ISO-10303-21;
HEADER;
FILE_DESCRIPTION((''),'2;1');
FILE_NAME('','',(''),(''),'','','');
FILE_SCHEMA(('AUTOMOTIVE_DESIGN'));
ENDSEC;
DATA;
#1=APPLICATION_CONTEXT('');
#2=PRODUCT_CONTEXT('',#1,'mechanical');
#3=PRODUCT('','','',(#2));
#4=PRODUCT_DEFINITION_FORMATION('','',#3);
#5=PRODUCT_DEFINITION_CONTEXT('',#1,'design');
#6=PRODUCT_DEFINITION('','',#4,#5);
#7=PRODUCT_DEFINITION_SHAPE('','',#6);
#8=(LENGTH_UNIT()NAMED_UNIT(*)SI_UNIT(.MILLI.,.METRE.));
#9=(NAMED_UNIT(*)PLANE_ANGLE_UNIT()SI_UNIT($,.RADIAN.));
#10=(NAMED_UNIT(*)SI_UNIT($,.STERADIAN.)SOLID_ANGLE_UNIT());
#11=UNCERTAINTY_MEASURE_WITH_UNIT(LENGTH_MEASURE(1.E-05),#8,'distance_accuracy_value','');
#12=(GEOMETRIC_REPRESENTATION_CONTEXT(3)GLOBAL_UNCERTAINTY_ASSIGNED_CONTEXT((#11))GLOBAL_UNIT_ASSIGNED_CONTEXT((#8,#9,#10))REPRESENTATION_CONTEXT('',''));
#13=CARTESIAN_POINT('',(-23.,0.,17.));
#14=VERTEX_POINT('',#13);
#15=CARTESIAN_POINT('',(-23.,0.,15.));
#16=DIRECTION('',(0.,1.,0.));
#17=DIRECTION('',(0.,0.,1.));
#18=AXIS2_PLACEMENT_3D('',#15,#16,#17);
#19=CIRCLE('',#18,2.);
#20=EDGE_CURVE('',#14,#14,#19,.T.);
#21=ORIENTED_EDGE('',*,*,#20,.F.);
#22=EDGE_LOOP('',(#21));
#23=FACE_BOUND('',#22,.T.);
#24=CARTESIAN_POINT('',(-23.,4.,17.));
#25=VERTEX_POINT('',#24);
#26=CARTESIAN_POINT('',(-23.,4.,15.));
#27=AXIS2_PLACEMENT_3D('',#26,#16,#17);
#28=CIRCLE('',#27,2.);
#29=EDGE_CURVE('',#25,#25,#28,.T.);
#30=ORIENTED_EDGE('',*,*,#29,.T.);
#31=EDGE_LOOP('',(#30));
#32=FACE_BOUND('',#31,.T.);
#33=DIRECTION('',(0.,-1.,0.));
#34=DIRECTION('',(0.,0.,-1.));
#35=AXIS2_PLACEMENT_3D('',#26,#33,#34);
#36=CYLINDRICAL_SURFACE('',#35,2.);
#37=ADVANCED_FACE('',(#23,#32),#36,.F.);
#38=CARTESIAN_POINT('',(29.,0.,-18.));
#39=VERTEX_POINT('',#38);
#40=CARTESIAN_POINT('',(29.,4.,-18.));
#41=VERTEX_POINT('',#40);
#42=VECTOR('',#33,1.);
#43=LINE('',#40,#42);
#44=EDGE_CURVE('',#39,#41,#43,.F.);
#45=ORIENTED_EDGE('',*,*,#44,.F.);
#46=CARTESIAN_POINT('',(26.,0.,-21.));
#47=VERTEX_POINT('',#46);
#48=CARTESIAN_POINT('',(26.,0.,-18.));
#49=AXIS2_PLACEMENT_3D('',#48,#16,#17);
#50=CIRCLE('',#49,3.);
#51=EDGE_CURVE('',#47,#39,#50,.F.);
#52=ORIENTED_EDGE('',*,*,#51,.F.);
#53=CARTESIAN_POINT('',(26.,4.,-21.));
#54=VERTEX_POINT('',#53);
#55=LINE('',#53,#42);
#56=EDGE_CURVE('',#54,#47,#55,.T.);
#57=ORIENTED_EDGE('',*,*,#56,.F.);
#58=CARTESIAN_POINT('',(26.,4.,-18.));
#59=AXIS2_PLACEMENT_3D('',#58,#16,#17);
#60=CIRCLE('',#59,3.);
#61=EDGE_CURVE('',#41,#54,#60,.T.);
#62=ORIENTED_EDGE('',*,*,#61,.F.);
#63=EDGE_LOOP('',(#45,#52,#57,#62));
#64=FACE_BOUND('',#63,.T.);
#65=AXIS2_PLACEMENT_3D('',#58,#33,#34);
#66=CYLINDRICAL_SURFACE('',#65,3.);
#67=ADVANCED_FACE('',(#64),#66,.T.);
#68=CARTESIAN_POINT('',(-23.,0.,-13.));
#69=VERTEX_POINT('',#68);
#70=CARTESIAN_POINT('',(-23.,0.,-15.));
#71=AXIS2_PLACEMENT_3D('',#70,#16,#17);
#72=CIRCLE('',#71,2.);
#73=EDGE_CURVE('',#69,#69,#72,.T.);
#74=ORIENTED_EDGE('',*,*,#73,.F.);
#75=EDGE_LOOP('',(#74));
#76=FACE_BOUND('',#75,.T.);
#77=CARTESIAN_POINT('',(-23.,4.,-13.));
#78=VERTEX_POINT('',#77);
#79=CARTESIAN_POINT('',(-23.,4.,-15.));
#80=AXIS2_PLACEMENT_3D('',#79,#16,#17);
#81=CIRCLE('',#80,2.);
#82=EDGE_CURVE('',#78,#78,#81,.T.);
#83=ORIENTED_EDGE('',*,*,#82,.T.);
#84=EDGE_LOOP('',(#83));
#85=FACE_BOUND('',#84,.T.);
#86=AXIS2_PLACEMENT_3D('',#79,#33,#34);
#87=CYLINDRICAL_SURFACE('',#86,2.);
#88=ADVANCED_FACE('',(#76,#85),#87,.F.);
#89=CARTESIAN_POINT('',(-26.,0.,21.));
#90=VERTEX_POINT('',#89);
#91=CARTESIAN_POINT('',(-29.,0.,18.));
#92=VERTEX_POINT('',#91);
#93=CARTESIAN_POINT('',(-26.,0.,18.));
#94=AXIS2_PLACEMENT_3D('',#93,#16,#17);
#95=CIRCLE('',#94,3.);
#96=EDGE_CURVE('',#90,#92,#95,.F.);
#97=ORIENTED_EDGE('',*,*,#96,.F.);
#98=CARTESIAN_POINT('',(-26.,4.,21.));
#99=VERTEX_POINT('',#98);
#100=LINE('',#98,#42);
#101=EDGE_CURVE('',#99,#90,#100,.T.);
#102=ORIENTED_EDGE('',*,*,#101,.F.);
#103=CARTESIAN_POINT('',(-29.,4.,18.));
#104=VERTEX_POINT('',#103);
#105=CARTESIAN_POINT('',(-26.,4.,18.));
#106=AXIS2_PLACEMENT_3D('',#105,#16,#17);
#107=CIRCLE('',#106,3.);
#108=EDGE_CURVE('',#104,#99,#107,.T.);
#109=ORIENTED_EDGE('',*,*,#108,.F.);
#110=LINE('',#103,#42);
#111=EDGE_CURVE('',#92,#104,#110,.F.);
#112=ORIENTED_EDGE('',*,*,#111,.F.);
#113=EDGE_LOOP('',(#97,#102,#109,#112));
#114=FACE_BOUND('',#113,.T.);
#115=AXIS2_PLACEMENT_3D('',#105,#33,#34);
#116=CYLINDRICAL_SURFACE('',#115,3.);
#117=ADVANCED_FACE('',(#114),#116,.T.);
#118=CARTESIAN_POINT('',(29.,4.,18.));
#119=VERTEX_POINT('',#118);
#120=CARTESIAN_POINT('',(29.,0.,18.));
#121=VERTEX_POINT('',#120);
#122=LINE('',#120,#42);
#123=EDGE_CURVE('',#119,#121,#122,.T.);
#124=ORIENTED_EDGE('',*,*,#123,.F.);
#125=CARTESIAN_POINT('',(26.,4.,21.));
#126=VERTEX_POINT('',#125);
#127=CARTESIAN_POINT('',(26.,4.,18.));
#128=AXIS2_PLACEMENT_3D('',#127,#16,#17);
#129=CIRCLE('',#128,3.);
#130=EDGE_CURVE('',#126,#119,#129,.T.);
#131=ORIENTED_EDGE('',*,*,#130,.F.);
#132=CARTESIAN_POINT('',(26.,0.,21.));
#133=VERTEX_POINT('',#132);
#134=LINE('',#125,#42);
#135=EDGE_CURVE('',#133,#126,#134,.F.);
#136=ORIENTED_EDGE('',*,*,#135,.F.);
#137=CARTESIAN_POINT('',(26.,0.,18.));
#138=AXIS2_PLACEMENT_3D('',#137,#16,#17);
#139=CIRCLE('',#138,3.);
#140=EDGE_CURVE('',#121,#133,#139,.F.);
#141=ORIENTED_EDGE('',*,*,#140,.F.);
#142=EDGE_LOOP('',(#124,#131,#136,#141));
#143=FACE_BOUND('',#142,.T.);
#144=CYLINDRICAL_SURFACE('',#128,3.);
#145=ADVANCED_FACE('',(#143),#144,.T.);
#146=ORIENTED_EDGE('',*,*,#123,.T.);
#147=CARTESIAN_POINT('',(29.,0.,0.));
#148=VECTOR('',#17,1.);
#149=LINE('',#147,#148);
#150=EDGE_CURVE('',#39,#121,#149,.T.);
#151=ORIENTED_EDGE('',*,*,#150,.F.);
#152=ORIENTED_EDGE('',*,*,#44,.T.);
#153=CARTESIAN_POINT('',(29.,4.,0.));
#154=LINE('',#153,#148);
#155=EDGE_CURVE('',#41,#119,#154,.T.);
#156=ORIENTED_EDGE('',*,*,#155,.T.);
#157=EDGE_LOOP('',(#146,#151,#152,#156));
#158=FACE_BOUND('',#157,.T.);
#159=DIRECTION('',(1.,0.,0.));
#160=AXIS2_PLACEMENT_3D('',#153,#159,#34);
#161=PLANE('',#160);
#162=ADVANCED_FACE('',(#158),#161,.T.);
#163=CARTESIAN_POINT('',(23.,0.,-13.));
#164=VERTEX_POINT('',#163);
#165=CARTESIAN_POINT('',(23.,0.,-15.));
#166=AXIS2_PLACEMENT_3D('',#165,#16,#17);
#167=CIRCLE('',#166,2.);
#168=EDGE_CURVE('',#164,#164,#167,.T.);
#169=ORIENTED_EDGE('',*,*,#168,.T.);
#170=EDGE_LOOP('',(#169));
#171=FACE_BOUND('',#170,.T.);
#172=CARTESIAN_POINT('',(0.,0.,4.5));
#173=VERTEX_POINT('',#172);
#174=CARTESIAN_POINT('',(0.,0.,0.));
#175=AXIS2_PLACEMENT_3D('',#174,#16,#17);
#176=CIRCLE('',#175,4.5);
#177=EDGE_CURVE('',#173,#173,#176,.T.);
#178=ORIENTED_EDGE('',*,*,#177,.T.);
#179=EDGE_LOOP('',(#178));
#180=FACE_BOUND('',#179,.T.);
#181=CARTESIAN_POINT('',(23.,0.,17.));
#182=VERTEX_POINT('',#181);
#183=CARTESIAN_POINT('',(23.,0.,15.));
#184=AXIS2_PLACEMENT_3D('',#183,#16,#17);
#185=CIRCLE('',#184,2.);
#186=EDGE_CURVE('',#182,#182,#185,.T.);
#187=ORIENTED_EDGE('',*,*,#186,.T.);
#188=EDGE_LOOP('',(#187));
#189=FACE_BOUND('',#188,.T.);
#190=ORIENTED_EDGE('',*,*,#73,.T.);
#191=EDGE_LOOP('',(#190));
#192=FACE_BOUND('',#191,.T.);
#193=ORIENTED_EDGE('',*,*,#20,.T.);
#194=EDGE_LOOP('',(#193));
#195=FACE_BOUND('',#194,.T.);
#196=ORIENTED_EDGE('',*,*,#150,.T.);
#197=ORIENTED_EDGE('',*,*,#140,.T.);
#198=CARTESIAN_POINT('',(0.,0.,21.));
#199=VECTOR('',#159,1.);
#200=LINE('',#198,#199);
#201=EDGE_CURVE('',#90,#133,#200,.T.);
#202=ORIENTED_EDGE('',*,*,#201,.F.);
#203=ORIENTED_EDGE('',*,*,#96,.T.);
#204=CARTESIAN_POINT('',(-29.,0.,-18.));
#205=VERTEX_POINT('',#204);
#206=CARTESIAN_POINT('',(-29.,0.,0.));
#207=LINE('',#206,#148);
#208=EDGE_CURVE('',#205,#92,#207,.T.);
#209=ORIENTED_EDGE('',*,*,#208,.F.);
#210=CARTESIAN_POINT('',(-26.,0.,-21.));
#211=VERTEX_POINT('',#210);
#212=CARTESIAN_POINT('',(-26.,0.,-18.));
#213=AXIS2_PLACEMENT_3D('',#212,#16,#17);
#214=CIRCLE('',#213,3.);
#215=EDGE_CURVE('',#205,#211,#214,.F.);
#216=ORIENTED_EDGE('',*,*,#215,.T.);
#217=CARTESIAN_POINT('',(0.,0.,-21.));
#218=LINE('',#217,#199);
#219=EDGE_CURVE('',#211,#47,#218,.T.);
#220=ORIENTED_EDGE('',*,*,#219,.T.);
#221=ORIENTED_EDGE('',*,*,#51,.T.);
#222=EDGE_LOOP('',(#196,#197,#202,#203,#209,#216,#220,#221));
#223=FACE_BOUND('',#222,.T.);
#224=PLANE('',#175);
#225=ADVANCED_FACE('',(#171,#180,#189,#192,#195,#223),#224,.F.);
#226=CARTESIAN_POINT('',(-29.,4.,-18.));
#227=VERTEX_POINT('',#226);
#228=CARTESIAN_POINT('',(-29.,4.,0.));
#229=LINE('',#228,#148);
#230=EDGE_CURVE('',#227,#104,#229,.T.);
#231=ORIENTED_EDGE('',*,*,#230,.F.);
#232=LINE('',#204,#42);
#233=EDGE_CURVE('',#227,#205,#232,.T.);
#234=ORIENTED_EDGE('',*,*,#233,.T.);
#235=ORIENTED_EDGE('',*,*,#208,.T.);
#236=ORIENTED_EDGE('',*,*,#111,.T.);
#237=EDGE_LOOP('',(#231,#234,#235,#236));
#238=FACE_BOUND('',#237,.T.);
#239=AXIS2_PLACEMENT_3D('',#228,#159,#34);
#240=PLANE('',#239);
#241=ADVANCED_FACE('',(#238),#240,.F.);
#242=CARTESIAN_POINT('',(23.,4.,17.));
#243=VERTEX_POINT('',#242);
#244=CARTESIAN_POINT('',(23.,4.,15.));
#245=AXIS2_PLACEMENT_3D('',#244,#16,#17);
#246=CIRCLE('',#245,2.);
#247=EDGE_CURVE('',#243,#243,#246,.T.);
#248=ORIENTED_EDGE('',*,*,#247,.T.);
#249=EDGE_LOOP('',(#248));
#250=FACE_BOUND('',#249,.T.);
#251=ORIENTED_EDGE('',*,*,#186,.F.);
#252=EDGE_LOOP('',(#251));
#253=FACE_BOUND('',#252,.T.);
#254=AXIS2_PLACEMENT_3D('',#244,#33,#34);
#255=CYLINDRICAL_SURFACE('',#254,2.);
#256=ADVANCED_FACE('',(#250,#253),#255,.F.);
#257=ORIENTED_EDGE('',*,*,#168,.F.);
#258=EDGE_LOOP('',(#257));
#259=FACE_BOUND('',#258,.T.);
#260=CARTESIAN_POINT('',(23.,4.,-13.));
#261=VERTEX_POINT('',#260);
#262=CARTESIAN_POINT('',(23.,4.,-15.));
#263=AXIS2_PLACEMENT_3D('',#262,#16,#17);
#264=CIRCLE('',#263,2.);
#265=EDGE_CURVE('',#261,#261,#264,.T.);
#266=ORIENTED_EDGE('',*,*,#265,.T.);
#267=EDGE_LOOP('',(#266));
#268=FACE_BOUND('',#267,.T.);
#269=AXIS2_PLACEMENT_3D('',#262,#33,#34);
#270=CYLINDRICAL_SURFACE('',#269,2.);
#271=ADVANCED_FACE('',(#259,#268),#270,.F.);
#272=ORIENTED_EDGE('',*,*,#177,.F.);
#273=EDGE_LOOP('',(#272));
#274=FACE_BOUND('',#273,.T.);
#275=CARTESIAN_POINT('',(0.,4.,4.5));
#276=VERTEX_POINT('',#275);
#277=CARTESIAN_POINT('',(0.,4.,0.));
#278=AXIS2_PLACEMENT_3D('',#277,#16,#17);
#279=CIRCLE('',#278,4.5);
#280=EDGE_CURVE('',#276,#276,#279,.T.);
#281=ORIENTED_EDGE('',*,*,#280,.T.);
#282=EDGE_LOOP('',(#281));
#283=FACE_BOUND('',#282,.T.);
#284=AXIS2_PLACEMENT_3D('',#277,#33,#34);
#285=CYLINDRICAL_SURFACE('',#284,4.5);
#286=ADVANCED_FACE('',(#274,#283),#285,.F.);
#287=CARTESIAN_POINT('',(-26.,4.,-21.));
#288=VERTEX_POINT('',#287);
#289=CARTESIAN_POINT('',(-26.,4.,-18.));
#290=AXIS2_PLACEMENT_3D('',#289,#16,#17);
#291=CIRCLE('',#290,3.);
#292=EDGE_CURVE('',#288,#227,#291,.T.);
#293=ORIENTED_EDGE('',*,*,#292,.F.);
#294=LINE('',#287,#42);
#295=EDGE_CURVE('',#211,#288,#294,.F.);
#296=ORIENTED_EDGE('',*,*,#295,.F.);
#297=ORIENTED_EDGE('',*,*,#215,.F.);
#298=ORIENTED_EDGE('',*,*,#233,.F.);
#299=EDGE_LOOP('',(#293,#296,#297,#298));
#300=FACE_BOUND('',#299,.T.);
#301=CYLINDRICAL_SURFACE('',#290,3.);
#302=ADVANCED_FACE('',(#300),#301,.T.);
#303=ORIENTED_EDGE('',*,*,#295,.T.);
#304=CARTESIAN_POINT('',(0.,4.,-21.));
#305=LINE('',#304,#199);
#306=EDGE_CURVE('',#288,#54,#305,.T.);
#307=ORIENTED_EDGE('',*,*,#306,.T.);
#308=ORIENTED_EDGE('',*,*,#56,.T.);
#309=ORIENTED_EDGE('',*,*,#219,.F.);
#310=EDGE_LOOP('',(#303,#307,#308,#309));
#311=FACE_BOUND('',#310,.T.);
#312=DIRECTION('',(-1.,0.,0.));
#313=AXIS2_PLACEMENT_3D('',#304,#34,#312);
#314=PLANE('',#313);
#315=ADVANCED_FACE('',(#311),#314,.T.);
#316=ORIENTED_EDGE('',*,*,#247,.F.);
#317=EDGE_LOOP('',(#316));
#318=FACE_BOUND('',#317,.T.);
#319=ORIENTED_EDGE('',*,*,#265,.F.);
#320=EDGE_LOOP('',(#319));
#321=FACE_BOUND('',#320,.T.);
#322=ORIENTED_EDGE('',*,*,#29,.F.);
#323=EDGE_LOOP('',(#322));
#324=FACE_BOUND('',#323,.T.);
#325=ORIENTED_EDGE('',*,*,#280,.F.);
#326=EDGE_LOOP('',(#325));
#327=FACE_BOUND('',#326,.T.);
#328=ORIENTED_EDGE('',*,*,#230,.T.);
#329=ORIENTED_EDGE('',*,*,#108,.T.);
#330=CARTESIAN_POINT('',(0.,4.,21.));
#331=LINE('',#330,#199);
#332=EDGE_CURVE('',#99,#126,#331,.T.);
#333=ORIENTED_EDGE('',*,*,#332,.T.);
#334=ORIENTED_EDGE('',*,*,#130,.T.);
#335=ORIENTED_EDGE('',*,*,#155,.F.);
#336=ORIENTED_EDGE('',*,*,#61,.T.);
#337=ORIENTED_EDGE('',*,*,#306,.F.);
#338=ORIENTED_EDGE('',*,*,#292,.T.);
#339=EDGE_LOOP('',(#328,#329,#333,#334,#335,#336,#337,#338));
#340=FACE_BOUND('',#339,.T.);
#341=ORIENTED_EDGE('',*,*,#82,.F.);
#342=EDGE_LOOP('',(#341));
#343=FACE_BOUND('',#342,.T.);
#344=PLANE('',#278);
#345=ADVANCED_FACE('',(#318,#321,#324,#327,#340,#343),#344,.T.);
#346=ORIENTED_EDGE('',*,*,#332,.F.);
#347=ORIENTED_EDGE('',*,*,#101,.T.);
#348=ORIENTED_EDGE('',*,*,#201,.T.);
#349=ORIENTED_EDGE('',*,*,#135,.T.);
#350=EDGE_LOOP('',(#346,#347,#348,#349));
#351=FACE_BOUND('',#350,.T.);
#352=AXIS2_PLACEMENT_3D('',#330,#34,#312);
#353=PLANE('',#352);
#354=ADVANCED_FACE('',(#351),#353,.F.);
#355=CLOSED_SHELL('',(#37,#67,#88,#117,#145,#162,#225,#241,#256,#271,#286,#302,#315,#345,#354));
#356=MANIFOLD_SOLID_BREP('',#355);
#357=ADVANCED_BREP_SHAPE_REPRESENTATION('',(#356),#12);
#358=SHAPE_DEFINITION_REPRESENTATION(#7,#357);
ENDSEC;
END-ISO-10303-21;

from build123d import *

# Parameters (mm, degrees)
SKETCH1_W           = 58
SKETCH1_H           = 42
SKETCH1_R           = 2
SKETCH1_R_2         = 4.5
BOSS_EXTRUDE1_DEPTH = 4
FILLET1_R           = 3


with BuildPart() as part:
    # Sketch1 → Boss-Extrude1 (new body)
    with BuildSketch(Plane(origin=(0, 0, 0), x_dir=(1, 0, 0), z_dir=(0, 1, 0))):
        Rectangle(SKETCH1_W, SKETCH1_H)
        with Locations(Location((-23, 15, 0), (0, 0, 270))):
            Circle(SKETCH1_R, mode=Mode.SUBTRACT)
        with Locations(Location((23, 15, 0), (0, 0, 270))):
            Circle(SKETCH1_R, mode=Mode.SUBTRACT)
        with Locations(Location((23, -15, 0), (0, 0, 270))):
            Circle(SKETCH1_R, mode=Mode.SUBTRACT)
        with Locations(Location((-23, -15, 0), (0, 0, 270))):
            Circle(SKETCH1_R, mode=Mode.SUBTRACT)
        with Locations(Location((0, 0, 0), (0, 0, 270))):
            Circle(SKETCH1_R_2, mode=Mode.SUBTRACT)
    extrude(amount=BOSS_EXTRUDE1_DEPTH)

    # Fillet1
    fillet1_edges = [part.edges().sort_by_distance(p)[0] for p in [
        (29, 2, 21),
        (-29, 2, 21),
        (-29, 2, -21),
        (29, 2, -21),
    ]]
    fillet(fillet1_edges, radius=FILLET1_R)


solid = part.part
